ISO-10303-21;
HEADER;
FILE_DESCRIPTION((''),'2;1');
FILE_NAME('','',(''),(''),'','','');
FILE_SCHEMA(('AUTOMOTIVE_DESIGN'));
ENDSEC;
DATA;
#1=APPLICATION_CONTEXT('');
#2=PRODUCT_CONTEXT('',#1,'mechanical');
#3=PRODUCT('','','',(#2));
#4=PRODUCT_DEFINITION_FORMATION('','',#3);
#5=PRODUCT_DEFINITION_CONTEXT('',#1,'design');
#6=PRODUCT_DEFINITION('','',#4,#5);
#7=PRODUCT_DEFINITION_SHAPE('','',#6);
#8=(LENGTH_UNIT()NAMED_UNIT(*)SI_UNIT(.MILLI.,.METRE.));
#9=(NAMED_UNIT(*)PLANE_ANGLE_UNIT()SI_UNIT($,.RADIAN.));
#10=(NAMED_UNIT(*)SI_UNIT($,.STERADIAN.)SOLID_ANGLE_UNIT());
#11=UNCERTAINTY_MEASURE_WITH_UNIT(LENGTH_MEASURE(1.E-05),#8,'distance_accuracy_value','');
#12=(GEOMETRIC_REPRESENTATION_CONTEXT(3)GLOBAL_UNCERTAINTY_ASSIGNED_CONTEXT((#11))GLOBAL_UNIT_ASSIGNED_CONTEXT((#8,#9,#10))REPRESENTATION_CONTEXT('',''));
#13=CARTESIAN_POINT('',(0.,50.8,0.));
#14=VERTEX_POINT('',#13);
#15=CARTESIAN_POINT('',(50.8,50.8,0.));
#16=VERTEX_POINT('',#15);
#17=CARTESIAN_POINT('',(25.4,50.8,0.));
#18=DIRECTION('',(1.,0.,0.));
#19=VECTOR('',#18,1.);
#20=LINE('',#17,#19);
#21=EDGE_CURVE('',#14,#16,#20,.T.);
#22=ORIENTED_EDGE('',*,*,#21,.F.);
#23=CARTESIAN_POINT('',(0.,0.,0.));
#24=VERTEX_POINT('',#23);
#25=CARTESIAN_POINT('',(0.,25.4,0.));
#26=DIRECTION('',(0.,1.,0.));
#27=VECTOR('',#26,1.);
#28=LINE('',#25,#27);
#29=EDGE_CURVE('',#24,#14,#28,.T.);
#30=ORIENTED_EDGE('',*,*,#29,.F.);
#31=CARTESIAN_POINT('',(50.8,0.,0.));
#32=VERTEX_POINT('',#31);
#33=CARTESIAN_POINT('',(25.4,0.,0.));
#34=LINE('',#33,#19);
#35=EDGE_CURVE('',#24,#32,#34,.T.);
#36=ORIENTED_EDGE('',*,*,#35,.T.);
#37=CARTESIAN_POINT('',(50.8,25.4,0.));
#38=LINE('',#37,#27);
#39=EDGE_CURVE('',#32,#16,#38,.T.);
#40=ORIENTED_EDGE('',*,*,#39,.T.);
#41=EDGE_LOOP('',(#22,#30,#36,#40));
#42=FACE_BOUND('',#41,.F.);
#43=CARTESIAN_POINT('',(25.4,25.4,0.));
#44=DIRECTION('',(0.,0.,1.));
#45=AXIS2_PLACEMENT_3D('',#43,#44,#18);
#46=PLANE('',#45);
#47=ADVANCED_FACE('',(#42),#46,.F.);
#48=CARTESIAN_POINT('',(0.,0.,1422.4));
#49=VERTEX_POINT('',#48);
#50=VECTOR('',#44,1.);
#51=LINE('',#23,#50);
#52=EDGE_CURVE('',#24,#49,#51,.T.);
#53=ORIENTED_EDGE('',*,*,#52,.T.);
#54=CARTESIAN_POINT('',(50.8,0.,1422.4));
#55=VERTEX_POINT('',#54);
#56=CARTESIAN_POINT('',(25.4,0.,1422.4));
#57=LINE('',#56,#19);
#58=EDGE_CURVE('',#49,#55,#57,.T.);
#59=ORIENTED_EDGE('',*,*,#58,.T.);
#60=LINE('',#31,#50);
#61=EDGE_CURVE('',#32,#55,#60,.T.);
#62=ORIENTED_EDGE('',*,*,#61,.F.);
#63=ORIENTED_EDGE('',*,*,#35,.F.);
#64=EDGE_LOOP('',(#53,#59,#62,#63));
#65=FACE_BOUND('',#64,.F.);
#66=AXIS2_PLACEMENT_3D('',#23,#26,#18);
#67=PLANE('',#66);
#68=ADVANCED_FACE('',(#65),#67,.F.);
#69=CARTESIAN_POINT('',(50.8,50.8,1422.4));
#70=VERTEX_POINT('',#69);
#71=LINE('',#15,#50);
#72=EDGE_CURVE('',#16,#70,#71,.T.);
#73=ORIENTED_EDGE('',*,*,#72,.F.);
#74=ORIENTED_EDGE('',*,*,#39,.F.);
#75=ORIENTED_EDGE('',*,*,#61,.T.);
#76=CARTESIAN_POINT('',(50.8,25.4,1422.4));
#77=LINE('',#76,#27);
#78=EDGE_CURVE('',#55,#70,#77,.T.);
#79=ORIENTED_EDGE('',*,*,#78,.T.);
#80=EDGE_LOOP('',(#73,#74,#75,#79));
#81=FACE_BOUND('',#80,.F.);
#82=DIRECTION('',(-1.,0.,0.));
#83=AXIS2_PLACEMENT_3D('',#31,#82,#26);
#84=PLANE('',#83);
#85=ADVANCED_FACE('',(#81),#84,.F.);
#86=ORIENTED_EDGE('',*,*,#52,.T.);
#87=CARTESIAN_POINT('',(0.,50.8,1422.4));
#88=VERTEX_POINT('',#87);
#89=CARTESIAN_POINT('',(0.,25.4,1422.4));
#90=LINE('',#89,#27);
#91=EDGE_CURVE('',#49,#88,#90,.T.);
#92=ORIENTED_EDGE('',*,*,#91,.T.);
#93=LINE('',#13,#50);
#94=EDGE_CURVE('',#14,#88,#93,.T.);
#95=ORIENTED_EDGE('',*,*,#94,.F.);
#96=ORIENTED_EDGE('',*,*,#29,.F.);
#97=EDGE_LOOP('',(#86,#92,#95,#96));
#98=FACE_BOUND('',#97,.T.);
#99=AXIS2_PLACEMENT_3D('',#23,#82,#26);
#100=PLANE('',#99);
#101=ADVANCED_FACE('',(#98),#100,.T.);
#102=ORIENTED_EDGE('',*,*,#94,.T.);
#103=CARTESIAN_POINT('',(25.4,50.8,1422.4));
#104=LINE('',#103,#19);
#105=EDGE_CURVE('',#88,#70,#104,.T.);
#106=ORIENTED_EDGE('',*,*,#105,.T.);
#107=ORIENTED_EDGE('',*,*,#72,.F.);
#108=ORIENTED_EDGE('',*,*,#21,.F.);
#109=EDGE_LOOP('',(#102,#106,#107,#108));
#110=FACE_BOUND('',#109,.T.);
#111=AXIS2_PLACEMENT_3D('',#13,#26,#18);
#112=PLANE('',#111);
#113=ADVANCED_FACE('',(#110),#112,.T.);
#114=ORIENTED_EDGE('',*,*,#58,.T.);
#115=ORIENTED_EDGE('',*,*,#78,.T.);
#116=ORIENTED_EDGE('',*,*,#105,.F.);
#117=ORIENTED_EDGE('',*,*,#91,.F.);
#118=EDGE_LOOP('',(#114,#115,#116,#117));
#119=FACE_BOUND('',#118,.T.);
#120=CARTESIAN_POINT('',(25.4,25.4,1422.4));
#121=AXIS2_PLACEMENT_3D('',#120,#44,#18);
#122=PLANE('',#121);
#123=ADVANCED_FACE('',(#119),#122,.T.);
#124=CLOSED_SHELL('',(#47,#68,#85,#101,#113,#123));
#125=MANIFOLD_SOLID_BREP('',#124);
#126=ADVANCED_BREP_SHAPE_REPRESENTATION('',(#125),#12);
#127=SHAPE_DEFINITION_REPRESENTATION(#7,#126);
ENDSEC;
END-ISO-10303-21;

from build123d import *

# Parameters (mm, degrees)
BOX_W     = 50.8
BOX_H     = 50.8
BOX_DEPTH = 1422.4


with BuildPart() as part:
    # Box → Box (new body)
    with BuildSketch(Plane.XY):
        with Locations((25.4, 25.4)):
            Rectangle(BOX_W, BOX_H)
    extrude(amount=BOX_DEPTH)


solid = part.part
